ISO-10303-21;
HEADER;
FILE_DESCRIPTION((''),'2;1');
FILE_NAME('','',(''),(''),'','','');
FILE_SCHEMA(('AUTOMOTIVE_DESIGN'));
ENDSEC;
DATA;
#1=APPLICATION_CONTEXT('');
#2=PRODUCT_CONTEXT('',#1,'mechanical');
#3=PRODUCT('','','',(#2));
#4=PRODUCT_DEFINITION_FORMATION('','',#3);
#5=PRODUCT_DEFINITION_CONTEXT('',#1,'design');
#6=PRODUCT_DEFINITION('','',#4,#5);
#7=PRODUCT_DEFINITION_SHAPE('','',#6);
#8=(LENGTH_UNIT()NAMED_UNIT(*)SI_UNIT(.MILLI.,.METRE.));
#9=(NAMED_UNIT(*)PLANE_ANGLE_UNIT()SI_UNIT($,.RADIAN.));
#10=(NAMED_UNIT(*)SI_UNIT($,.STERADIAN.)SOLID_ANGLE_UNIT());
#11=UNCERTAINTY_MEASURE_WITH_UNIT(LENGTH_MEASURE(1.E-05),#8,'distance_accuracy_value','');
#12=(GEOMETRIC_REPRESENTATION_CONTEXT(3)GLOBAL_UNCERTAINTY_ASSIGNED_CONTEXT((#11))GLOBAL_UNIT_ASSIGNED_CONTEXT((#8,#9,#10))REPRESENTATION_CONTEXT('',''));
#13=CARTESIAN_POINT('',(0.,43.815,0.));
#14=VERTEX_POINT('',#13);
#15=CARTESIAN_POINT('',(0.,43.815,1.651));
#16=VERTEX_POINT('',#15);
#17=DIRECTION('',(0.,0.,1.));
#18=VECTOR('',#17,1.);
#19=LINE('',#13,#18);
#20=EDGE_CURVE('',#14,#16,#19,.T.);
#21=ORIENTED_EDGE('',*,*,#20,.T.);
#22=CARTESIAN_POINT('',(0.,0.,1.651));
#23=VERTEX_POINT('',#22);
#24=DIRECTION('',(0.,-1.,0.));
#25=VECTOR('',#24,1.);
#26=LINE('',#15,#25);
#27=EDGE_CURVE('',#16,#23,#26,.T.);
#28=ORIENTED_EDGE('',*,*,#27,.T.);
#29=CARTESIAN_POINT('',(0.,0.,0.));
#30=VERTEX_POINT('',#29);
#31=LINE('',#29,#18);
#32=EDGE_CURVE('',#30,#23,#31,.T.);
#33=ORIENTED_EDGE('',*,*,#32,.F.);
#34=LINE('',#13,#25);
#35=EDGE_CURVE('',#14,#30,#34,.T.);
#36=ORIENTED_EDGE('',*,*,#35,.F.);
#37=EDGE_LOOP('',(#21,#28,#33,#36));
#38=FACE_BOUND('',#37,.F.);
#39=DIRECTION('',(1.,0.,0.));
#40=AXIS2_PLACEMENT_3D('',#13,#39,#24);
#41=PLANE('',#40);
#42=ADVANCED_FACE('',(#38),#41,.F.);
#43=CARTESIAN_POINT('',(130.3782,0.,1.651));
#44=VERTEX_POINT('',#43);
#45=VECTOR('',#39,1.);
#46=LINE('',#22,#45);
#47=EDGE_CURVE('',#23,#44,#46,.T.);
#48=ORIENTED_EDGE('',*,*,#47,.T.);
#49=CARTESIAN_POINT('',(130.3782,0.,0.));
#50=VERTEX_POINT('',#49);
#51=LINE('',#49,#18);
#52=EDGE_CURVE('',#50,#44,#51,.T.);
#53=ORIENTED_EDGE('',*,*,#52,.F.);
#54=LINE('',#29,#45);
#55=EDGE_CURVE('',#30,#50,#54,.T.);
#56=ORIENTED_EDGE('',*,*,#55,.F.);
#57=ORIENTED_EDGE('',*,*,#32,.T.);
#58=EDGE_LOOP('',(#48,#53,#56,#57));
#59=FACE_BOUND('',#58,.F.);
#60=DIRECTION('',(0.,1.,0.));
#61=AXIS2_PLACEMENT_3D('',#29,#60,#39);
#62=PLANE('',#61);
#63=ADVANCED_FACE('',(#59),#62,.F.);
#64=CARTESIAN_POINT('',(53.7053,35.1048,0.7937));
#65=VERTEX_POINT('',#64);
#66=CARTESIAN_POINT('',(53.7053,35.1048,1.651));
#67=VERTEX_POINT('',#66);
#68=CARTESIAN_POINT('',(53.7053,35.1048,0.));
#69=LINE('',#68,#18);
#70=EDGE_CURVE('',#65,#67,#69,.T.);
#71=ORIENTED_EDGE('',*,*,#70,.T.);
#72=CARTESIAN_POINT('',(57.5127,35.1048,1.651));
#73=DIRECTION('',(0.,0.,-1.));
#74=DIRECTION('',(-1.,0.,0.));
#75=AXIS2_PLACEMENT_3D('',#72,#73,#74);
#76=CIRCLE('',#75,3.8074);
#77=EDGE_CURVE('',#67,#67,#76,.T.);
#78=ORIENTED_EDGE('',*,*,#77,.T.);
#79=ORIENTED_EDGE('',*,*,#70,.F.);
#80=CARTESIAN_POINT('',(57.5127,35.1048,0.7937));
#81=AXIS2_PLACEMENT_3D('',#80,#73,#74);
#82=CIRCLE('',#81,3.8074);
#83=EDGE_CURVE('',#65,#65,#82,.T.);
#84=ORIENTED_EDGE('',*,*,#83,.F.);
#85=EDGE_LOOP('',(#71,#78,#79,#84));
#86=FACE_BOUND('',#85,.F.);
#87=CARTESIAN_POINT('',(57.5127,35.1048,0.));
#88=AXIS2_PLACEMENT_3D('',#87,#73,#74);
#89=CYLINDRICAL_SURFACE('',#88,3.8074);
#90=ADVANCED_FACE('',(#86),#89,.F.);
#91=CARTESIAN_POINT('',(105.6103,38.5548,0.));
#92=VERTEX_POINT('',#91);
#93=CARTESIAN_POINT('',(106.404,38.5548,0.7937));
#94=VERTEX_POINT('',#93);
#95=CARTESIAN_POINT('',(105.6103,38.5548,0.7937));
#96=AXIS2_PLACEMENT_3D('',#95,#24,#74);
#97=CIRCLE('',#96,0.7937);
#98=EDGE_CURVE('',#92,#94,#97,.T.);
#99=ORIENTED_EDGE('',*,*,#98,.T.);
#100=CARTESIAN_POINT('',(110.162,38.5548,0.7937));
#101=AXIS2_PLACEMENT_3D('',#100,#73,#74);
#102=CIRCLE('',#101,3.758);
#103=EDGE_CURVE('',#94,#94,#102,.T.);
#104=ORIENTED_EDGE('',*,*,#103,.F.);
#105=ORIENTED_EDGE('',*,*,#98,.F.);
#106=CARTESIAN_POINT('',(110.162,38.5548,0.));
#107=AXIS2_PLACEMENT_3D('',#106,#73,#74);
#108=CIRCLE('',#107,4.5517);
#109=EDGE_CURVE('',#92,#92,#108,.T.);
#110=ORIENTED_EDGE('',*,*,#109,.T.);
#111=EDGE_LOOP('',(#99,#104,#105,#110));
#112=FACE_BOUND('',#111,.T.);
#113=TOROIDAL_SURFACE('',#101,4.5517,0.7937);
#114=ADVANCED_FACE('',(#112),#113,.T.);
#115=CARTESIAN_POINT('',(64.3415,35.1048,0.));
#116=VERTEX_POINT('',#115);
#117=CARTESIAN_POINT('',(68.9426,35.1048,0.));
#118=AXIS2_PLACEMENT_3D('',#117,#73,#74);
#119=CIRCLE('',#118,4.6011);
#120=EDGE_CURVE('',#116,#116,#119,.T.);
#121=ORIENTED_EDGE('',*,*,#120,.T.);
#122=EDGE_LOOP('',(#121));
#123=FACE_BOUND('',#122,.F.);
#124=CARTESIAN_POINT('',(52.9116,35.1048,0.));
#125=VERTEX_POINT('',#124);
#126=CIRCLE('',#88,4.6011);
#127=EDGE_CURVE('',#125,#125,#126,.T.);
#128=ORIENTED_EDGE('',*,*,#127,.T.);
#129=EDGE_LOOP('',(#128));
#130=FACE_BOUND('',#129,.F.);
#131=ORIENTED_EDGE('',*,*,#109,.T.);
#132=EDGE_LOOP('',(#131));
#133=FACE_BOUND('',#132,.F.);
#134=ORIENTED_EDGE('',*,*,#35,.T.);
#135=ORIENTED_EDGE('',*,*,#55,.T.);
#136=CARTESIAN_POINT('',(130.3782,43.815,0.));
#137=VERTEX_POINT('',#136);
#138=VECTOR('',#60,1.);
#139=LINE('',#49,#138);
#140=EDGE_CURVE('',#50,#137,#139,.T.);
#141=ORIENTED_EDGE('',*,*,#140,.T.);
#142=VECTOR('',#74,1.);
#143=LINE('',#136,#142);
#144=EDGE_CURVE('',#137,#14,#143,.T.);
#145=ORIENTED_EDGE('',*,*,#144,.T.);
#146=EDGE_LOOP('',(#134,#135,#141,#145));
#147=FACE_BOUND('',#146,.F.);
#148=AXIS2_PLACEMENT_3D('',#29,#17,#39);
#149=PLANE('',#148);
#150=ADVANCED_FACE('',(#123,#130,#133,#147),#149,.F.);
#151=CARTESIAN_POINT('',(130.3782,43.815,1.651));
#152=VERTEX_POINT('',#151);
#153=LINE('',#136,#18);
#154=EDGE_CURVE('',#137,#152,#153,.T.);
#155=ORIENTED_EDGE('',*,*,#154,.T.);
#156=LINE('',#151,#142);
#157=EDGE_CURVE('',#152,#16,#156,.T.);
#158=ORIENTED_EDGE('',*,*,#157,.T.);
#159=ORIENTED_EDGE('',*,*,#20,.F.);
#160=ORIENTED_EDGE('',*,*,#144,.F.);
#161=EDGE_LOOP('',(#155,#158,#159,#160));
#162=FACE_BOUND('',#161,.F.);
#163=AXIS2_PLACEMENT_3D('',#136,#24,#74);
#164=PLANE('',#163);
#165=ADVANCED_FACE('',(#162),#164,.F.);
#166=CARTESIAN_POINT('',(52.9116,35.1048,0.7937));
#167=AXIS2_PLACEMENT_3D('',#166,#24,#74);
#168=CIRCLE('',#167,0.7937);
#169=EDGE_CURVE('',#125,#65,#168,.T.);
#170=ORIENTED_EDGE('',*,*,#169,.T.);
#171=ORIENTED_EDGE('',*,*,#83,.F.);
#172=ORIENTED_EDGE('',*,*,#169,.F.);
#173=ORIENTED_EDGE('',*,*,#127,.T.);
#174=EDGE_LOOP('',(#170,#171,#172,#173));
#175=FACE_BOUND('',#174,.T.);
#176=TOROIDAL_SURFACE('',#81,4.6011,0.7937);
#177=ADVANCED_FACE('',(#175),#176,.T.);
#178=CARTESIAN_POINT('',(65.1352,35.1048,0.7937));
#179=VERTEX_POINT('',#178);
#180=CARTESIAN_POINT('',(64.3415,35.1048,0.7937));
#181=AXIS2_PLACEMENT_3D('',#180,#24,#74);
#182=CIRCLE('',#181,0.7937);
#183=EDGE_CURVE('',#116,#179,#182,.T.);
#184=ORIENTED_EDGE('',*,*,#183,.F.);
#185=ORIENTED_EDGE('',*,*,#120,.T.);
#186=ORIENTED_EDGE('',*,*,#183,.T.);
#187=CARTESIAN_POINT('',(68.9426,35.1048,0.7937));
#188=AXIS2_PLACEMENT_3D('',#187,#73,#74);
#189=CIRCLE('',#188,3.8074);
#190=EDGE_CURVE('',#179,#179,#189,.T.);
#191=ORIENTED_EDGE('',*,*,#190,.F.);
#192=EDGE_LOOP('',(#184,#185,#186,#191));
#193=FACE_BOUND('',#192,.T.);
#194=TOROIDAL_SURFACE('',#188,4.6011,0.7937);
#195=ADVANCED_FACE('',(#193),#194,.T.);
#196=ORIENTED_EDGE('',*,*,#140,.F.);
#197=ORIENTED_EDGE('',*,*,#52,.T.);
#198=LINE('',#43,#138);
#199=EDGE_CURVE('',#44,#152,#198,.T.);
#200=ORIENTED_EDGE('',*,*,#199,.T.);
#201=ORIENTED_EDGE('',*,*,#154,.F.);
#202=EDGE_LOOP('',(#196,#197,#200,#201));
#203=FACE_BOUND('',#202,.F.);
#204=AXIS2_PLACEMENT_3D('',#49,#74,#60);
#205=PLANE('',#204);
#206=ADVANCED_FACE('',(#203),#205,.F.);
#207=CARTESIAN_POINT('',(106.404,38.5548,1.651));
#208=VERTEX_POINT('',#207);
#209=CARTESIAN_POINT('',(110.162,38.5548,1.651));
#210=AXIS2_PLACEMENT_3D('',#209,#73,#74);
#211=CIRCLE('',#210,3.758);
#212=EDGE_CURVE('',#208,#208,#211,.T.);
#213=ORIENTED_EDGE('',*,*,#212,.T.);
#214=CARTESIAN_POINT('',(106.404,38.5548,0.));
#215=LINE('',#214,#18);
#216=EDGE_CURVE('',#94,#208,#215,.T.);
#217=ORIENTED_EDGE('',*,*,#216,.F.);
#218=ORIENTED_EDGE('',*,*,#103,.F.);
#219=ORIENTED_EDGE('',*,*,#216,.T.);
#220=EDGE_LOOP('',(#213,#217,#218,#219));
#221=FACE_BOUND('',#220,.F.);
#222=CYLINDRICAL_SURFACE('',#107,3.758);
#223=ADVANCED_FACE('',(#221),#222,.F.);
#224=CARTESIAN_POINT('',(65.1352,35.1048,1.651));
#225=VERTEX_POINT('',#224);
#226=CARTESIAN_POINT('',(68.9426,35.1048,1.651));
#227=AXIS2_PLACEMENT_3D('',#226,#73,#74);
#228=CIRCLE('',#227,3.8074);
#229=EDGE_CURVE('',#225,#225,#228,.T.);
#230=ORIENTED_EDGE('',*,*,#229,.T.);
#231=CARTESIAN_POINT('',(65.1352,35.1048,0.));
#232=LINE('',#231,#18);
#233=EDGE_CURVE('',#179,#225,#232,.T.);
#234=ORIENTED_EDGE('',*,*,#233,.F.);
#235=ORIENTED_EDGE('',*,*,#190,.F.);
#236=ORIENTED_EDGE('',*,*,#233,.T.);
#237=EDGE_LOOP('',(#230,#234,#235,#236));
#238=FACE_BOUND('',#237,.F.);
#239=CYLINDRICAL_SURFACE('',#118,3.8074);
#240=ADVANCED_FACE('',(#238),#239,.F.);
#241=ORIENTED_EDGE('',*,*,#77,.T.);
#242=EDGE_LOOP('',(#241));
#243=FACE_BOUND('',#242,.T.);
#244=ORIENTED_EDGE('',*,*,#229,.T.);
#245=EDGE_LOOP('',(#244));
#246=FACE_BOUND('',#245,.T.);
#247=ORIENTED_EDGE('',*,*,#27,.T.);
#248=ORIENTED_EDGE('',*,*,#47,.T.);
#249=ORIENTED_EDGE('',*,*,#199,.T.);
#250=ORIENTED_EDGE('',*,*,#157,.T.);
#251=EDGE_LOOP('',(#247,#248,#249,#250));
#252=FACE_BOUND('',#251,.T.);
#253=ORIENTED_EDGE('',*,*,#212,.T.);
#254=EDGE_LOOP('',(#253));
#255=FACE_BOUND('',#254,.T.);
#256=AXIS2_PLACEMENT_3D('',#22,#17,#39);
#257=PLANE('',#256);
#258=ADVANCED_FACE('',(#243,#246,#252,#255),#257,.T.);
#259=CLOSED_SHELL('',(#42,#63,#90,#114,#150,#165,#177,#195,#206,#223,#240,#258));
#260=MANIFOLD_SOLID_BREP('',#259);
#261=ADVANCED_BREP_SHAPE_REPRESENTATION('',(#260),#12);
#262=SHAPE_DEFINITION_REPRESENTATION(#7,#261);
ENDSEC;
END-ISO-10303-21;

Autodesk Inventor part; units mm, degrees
ref_plane "YZ Plane" through (0, 0, 0) normal (1, 0, 0) x (0, 1, 0)
ref_plane "XZ Plane" through (0, 0, 0) normal (0, 1, 0) x (-1, 0, 0)
ref_plane "XY Plane" through (0, 0, 0) normal (0, 0, 1) x (1, 0, 0)
sketch "Sketch1" plane through (0, 0, 0) normal (0, 0, 1) x (1, 0, 0)
  line L0 (0, 0) -> (130.3782, 0)
  line L1 (130.3782, 0) -> (130.3782, 43.815)
  line L2 (130.3782, 43.815) -> (0, 43.815)
  line L3 (0, 43.815) -> (0, 0)
  dimension "d0" = 130.3782
  dimension "d1" = 43.815
extrude "Extrusion1" add sketch "Sketch1" along normal blind 1.651
sketch "Sketch2" plane through (0, 0, 0) normal (0, 0, -1) x (-1, 0, 0)
  circle A0 centre (-110.162, 38.5548) radius 3.25 projected
  circle A1 centre (-68.9426, 35.1048) radius 1.75 projected
  circle A2 centre (-57.5127, 35.1048) radius 1.75 projected
  circle A3 centre (-110.162, 38.5548) radius 3.758
  circle A4 centre (-68.9426, 35.1048) radius 3.8074
  circle A5 centre (-57.5127, 35.1048) radius 3.8074
  point P0 (0, 0)
  dimension "d4" = 0.508
  dimension "d5" = 3.5
  dimension "d6" = 2.0574
  dimension "d7" = 2.0574
extrude "Extrusion2" cut sketch "Sketch2" against normal blind 1.651 contours A0 | A1 | A2 | A3 | A4 | A5
fillet "Fillet1" radius 0.7937 3 edges at (113.92, 38.5548, 0) (72.75, 35.1048, 0) (61.3201, 35.1048, 0)
properties part number "back_plate"
